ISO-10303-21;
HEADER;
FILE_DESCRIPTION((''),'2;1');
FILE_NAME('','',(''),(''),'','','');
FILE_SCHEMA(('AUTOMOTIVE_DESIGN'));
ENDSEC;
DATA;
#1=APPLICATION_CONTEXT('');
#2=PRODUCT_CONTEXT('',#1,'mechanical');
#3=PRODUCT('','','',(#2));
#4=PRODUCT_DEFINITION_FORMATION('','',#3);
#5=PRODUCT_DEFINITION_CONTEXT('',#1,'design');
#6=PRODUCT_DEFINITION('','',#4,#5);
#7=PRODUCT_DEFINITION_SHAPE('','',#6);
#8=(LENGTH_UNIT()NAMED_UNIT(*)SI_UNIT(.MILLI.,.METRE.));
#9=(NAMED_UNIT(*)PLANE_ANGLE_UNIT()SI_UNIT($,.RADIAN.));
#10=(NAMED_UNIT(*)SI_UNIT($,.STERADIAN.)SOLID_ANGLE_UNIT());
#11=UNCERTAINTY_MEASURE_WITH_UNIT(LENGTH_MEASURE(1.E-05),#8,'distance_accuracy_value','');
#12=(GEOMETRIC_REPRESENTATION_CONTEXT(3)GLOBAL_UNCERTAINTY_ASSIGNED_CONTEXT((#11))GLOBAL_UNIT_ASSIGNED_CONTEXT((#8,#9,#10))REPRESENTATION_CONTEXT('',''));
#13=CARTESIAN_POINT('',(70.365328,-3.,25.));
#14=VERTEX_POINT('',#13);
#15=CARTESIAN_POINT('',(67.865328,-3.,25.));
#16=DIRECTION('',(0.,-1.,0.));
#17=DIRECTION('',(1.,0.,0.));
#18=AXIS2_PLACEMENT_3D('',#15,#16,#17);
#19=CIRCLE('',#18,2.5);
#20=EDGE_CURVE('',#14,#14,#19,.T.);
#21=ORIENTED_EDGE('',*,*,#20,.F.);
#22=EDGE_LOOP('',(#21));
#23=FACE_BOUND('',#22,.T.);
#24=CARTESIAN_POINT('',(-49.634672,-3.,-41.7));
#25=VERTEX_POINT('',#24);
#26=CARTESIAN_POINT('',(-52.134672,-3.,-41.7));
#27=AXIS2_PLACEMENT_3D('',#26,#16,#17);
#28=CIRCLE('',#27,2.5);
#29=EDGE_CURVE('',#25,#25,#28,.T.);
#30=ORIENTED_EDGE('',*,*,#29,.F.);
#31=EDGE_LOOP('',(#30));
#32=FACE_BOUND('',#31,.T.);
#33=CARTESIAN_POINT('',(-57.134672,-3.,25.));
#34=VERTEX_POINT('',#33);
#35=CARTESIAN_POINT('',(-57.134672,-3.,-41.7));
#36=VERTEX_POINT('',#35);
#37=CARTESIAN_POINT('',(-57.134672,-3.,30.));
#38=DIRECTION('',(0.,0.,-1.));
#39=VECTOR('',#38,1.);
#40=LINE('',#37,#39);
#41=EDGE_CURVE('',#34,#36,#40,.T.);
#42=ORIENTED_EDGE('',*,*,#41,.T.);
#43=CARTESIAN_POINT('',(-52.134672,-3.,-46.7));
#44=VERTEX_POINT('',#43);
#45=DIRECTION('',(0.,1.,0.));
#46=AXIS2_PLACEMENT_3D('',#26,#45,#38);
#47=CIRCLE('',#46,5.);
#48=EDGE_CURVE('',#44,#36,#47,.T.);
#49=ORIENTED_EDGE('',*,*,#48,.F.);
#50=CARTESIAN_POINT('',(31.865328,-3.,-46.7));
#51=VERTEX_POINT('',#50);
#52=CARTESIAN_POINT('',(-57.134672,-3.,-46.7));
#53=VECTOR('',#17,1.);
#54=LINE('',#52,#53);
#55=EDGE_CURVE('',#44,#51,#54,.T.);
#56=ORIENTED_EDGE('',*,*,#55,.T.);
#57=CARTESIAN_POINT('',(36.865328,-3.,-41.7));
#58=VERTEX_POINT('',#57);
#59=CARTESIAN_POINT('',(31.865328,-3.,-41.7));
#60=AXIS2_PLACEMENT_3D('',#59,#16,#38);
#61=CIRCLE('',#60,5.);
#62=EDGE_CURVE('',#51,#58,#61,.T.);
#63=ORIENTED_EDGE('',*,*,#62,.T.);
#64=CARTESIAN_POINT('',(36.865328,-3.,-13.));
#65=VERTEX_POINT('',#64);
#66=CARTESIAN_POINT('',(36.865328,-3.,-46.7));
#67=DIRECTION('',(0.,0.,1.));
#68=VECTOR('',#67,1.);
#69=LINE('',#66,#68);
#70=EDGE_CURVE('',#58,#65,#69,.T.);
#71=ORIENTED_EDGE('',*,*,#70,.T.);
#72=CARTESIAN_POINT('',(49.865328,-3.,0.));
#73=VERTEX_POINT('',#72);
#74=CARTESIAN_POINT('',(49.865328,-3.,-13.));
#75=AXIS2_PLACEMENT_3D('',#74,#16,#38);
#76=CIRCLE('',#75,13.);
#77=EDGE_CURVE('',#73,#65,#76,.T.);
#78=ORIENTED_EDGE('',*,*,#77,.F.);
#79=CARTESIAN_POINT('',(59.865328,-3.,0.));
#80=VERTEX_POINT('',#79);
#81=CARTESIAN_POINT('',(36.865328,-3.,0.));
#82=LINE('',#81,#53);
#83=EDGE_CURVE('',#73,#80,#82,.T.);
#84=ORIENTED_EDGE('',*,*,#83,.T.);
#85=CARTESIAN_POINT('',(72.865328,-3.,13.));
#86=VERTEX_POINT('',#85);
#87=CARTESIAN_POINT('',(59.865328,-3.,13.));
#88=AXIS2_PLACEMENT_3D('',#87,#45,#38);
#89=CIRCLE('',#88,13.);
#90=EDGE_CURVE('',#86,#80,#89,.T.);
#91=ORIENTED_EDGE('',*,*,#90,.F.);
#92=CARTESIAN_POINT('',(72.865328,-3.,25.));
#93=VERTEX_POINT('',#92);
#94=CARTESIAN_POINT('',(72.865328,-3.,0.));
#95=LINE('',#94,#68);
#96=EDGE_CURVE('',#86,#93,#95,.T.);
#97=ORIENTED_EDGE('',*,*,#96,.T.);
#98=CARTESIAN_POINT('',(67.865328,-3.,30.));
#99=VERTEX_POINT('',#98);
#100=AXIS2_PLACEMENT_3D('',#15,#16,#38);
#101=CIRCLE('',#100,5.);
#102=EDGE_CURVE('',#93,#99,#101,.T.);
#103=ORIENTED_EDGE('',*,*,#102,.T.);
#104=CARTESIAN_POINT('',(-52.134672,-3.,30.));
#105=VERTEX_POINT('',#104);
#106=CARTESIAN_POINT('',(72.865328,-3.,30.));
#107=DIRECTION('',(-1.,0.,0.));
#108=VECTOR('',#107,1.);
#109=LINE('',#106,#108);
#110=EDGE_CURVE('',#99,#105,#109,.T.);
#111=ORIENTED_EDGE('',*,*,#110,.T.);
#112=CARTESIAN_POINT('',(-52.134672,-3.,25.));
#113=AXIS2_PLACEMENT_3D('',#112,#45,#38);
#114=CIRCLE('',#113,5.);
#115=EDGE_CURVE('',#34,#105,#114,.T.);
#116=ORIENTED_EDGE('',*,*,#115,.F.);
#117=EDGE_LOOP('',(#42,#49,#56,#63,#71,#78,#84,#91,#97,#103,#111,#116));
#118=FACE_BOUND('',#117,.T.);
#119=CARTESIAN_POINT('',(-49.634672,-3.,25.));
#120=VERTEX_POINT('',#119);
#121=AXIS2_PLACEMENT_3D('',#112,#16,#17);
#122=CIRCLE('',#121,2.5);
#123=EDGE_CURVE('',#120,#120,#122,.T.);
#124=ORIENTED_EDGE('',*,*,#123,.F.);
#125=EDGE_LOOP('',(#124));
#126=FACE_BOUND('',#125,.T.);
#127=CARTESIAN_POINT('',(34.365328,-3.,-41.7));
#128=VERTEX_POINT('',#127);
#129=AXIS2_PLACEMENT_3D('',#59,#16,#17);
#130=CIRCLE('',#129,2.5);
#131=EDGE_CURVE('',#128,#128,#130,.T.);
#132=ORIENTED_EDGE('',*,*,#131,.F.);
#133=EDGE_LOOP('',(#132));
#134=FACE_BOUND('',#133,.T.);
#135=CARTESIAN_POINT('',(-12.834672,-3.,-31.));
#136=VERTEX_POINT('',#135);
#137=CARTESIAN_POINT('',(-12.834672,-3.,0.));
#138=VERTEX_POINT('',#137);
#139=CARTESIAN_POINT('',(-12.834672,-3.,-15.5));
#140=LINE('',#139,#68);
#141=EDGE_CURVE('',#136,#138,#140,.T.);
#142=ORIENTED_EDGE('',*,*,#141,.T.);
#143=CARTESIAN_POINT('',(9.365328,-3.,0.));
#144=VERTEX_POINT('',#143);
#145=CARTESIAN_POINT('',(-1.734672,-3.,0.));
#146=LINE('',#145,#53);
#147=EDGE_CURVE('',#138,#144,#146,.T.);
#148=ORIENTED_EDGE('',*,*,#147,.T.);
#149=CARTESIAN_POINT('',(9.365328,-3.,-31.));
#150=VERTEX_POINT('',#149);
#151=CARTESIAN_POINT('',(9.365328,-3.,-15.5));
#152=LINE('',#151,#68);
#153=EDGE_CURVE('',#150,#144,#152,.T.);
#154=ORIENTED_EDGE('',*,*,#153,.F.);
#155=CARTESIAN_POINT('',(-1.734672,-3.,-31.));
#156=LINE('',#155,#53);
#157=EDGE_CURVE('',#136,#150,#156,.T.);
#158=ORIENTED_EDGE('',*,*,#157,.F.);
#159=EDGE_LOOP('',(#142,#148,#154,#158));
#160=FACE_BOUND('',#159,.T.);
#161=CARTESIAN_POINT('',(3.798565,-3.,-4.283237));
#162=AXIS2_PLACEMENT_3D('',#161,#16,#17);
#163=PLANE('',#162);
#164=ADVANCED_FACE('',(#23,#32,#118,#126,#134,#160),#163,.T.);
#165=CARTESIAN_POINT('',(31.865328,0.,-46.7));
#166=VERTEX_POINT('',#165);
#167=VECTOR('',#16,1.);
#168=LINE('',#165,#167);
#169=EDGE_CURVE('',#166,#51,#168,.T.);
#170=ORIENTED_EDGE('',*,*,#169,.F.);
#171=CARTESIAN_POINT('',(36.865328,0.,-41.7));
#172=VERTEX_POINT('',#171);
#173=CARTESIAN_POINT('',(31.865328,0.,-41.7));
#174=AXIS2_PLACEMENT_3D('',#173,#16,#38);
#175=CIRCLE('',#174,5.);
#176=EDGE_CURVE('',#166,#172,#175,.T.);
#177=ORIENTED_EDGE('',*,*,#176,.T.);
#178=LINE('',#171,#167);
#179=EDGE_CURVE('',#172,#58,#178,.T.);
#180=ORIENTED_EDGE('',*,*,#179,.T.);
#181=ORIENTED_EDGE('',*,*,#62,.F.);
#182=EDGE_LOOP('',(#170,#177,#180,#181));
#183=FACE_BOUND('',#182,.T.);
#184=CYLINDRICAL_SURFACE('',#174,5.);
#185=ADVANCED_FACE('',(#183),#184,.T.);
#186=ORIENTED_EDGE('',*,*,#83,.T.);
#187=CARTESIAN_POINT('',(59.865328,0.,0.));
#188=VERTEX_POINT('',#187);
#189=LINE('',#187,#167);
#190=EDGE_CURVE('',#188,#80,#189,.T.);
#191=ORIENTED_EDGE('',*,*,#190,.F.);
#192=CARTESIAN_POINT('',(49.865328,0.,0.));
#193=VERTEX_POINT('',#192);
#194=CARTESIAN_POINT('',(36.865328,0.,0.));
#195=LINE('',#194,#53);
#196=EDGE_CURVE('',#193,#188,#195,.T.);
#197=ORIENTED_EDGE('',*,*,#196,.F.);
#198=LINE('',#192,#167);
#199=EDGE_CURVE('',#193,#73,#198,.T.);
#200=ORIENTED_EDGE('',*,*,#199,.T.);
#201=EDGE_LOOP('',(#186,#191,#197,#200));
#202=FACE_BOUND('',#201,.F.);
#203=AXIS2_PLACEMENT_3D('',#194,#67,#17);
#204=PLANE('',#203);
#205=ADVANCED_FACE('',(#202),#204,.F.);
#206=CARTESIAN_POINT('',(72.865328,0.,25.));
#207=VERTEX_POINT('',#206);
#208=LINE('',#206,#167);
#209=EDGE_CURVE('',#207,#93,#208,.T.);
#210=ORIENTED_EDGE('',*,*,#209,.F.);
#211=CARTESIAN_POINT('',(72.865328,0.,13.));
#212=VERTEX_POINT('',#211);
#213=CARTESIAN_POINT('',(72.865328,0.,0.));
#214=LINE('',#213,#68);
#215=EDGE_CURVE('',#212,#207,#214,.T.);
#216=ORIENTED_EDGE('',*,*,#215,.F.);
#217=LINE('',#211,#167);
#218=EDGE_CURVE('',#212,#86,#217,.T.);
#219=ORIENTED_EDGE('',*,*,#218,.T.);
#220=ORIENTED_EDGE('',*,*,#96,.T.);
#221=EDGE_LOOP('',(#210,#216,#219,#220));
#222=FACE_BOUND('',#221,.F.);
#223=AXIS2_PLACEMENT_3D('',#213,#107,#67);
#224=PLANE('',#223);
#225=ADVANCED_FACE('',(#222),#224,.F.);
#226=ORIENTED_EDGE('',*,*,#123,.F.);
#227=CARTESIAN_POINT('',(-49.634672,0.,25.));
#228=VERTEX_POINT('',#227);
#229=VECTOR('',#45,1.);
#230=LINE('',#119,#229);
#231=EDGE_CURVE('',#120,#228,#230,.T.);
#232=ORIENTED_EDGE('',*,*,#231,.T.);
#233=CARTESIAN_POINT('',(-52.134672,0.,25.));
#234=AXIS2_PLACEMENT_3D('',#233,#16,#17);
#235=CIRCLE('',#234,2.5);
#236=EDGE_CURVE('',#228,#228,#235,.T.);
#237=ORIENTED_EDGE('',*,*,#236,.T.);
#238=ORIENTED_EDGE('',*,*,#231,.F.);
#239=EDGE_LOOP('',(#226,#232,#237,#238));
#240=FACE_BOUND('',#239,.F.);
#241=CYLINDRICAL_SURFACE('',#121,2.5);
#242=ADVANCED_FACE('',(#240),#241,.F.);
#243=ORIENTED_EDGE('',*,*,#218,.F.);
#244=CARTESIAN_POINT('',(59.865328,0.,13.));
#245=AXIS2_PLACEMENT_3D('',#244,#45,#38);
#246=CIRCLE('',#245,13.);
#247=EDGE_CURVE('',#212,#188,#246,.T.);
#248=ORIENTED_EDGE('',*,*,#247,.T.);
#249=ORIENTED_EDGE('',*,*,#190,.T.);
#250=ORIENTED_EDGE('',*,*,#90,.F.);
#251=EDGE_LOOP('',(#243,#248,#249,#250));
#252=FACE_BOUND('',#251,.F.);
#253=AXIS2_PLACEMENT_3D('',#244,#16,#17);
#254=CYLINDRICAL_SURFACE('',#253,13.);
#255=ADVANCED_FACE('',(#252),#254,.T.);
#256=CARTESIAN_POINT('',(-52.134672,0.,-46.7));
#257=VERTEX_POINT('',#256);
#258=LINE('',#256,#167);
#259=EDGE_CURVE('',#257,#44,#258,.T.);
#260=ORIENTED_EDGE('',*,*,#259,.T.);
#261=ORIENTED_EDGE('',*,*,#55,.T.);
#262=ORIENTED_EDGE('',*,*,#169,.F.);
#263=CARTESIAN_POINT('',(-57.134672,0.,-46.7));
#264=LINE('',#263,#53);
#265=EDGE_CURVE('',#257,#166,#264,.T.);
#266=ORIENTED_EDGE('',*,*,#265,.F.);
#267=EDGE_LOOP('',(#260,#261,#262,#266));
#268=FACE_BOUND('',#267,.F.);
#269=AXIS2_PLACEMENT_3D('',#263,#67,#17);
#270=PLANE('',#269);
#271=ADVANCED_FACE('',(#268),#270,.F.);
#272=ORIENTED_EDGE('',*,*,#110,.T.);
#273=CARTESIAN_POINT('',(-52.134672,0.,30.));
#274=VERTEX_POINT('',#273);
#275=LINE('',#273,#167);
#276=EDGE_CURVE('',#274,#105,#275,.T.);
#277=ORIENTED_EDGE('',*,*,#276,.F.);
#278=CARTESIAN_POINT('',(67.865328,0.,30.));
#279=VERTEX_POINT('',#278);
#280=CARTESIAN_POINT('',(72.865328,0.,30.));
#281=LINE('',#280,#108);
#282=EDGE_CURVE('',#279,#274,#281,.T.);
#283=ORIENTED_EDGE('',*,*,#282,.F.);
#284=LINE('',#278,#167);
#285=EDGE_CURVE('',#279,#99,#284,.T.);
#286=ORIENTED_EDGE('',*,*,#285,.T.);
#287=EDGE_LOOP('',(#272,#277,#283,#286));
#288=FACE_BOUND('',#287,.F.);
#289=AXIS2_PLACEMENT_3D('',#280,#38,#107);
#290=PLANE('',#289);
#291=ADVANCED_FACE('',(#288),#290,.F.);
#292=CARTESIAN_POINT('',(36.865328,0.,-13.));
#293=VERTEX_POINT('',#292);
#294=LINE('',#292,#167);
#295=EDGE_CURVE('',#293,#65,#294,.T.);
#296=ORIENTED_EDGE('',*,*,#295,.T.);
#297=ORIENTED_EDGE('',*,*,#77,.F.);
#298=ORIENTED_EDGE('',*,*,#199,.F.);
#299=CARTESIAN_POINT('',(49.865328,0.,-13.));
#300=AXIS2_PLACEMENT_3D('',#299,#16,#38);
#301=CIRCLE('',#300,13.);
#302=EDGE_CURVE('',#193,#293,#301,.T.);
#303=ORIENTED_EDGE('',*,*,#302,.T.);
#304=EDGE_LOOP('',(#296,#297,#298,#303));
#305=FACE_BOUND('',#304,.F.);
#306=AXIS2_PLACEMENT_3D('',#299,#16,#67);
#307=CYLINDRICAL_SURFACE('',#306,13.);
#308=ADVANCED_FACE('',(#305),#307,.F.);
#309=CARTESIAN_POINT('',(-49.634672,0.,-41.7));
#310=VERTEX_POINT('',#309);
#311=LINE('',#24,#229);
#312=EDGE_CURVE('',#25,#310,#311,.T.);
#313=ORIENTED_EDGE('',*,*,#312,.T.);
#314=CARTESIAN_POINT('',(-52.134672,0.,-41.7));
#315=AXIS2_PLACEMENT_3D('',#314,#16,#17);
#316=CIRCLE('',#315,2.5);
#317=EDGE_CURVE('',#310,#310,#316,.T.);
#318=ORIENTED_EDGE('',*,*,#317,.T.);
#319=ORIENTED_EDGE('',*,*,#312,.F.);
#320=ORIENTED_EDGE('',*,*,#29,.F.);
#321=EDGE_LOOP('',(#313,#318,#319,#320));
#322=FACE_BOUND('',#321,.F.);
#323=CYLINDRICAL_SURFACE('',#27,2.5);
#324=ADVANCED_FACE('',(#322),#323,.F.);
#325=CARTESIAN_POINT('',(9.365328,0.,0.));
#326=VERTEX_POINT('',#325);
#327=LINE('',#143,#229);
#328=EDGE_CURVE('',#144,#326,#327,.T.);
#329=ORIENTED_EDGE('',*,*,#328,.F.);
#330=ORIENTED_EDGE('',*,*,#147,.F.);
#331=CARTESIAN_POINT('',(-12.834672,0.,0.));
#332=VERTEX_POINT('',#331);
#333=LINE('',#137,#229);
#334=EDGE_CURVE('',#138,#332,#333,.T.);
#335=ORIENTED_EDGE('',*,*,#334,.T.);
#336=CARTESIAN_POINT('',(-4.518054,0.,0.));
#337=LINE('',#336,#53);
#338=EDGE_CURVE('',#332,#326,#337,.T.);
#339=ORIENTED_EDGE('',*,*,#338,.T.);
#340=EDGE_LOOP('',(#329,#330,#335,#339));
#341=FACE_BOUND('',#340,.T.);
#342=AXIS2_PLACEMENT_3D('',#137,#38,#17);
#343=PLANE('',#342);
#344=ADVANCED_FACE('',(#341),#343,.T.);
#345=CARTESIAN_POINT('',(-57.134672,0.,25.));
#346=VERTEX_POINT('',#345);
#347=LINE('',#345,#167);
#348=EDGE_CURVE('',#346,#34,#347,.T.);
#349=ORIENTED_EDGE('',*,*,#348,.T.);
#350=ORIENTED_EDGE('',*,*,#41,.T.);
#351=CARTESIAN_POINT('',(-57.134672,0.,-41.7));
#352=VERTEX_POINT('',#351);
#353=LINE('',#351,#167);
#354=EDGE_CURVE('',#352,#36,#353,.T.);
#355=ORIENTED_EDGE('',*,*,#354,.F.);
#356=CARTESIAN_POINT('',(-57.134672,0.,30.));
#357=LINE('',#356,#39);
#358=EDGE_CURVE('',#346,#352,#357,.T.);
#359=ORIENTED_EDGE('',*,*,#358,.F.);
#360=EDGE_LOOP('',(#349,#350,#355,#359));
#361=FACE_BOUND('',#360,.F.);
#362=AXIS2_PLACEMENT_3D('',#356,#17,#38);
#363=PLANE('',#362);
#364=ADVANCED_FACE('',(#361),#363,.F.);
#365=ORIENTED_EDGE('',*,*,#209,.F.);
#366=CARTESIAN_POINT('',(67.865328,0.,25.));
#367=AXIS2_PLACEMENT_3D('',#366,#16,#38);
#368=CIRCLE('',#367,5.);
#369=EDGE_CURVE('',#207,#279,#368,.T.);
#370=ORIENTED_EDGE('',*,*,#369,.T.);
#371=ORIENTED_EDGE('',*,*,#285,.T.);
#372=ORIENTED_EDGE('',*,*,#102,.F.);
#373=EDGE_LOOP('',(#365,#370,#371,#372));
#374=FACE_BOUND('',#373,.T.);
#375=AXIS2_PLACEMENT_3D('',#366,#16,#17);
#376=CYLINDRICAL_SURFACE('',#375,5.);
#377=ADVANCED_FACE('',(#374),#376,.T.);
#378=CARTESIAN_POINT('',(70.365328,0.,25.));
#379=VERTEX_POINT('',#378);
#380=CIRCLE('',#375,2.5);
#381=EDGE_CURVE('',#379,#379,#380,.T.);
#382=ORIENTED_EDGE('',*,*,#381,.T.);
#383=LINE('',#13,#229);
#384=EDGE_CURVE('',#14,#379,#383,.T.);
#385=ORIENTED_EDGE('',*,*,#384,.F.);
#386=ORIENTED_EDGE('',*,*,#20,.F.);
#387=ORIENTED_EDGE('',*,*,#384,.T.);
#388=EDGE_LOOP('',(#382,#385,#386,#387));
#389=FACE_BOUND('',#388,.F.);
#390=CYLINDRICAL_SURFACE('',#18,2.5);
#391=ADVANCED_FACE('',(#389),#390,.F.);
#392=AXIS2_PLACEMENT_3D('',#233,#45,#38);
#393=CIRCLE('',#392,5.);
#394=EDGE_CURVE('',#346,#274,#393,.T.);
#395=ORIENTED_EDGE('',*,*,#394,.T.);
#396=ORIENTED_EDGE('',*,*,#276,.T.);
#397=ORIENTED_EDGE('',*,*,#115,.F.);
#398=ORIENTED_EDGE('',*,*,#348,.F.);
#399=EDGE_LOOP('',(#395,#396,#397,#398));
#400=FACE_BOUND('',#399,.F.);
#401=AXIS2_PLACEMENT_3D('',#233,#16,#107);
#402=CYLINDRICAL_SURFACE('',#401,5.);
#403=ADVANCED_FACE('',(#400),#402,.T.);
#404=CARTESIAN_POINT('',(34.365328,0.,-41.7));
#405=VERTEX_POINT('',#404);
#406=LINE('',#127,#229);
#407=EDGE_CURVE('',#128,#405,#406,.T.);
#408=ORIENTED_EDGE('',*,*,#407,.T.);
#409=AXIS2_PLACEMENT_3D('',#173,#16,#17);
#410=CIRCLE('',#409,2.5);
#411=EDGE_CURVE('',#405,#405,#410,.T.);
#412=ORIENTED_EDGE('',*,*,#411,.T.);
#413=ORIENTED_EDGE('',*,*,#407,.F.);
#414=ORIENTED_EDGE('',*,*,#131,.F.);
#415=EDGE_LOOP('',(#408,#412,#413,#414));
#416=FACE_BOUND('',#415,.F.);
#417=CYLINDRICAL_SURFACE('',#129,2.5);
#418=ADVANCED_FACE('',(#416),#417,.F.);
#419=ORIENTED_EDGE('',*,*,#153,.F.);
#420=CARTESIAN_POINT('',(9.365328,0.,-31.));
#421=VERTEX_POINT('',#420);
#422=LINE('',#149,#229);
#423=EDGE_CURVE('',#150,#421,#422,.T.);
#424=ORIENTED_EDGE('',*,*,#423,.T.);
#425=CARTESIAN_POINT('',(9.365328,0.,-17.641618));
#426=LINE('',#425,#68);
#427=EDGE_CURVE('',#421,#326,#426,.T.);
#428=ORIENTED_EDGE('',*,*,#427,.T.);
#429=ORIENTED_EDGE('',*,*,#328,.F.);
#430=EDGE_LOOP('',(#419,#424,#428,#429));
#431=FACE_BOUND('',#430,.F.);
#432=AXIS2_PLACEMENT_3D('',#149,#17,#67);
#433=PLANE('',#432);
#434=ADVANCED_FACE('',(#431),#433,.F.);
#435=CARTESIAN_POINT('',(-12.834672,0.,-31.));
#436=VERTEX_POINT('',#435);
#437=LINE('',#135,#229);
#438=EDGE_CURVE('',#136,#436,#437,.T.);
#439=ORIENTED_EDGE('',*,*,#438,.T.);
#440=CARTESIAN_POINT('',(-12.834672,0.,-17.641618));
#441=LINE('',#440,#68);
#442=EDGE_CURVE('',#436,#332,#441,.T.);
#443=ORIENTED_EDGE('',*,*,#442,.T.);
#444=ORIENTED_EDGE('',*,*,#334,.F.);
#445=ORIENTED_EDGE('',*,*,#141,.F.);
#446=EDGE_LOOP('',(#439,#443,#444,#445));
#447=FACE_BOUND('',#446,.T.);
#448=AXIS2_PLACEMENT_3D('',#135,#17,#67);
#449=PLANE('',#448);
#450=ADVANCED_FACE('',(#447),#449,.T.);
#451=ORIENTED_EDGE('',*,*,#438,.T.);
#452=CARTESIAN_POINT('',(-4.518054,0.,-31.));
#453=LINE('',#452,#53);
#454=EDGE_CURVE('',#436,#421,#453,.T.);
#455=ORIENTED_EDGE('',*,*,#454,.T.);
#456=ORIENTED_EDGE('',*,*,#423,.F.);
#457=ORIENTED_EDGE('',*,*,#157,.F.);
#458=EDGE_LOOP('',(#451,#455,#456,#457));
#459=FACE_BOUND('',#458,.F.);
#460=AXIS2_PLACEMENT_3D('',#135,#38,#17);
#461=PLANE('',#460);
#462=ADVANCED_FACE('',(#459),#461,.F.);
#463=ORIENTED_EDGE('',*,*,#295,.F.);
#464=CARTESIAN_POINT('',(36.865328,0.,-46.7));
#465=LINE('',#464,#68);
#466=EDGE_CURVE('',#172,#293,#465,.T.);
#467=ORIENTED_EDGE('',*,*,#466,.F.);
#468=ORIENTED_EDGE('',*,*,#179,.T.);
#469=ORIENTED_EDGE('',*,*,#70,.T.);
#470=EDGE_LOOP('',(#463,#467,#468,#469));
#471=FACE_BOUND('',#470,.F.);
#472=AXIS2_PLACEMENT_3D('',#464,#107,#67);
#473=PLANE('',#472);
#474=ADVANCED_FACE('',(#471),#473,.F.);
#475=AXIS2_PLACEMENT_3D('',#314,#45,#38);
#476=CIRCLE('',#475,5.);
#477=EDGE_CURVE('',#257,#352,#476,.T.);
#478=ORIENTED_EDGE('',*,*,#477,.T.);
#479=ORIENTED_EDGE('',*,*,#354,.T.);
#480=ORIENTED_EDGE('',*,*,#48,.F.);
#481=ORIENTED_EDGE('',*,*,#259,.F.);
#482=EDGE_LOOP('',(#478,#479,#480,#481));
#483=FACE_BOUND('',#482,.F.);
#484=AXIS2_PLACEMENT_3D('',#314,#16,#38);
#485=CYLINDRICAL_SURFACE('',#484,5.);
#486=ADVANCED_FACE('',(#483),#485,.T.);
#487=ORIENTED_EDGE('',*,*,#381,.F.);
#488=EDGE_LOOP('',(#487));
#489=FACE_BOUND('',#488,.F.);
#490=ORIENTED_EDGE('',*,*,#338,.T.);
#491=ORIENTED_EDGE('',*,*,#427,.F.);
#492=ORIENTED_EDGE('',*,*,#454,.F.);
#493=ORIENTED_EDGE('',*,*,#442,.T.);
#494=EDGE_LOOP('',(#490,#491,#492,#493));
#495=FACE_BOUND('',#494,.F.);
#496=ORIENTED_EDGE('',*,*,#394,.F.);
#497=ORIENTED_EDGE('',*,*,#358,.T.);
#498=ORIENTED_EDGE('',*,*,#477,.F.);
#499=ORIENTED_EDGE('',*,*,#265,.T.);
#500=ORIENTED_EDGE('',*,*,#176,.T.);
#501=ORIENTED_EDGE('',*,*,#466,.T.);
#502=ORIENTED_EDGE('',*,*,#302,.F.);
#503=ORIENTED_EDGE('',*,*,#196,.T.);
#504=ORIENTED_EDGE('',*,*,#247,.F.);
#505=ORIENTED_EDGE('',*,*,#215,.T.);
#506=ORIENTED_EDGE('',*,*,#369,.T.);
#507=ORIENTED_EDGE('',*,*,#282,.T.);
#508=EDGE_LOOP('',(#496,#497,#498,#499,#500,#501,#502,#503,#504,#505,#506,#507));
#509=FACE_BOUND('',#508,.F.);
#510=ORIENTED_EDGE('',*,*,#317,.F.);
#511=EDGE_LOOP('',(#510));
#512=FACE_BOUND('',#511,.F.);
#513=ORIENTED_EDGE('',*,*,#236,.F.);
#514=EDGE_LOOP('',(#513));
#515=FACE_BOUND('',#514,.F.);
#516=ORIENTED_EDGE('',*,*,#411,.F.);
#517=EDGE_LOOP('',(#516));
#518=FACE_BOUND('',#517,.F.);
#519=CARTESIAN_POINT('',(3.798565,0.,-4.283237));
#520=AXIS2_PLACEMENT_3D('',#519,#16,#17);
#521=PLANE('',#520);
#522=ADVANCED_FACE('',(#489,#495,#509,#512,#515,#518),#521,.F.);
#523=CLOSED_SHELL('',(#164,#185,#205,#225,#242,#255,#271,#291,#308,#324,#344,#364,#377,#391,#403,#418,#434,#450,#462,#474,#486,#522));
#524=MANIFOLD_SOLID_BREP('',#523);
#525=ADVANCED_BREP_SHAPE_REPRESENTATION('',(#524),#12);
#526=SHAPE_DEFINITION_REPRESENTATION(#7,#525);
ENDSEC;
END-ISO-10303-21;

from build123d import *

# Parameters (mm, degrees)
F1_DEPTH  = 3
F2_W      = 22.2
F2_H      = 31
F3_DEPTH  = 25
F4_R      = 13
F5_R      = 13
F6_R      = 5
F7_R      = 5
F8_R      = 5
F9_R      = 5
F10_R     = 2.5
F11_DEPTH = 25
F12_R     = 2.5
F13_DEPTH = 25
F14_R     = 2.5
F15_DEPTH = 25
F16_R     = 2.5
F17_DEPTH = 25


with BuildPart() as f1:
    # F0 (on Front) → F1 (new body)
    with BuildSketch(Plane.XZ):
        Polygon((72.865328, 30), (-57.134672, 30), (-57.134672, -46.7), (36.865328, -46.7), (36.865328, 0), (72.865328, 0), align=None)
    extrude(amount=F1_DEPTH)

    # F2 (on face) → F3 (cut)
    with BuildSketch(Plane.XZ.offset(3)):
        with Locations((-1.734672, -15.5)):
            Rectangle(F2_W, F2_H)
    extrude(amount=-F3_DEPTH, mode=Mode.SUBTRACT)

    # F4
    f4_edges = [f1.edges().sort_by_distance(p)[0] for p in [
        (72.865328, -1.5, 0),
    ]]
    fillet(f4_edges, radius=F4_R)

    # F5
    f5_edges = [f1.edges().sort_by_distance(p)[0] for p in [
        (36.865328, -1.5, 0),
    ]]
    fillet(f5_edges, radius=F5_R)

    # F6
    f6_edges = [f1.edges().sort_by_distance(p)[0] for p in [
        (72.865328, -1.5, 30),
    ]]
    fillet(f6_edges, radius=F6_R)

    # F7
    f7_edges = [f1.edges().sort_by_distance(p)[0] for p in [
        (36.865328, -1.5, -46.7),
    ]]
    fillet(f7_edges, radius=F7_R)

    # F8
    f8_edges = [f1.edges().sort_by_distance(p)[0] for p in [
        (-57.134672, -1.5, -46.7),
    ]]
    fillet(f8_edges, radius=F8_R)

    # F9
    f9_edges = [f1.edges().sort_by_distance(p)[0] for p in [
        (-57.134672, -1.5, 30),
    ]]
    fillet(f9_edges, radius=F9_R)

    # F10 (on face) → F11 (cut)
    with BuildSketch(Plane.XZ.offset(3)):
        with Locations((-52.134672, 25)):
            Circle(F10_R)
    extrude(amount=-F11_DEPTH, mode=Mode.SUBTRACT)

    # F12 (on face) → F13 (cut)
    with BuildSketch(Plane.XZ.offset(3)):
        with Locations((67.865328, 25)):
            Circle(F12_R)
    extrude(amount=-F13_DEPTH, mode=Mode.SUBTRACT)

    # F14 (on face) → F15 (cut)
    with BuildSketch(Plane.XZ.offset(3)):
        with Locations((-52.134672, -41.7)):
            Circle(F14_R)
    extrude(amount=-F15_DEPTH, mode=Mode.SUBTRACT)

    # F16 (on face) → F17 (cut)
    with BuildSketch(Plane.XZ.offset(3)):
        with Locations((31.865328, -41.7)):
            Circle(F16_R)
    extrude(amount=-F17_DEPTH, mode=Mode.SUBTRACT)


solid = f1.part
